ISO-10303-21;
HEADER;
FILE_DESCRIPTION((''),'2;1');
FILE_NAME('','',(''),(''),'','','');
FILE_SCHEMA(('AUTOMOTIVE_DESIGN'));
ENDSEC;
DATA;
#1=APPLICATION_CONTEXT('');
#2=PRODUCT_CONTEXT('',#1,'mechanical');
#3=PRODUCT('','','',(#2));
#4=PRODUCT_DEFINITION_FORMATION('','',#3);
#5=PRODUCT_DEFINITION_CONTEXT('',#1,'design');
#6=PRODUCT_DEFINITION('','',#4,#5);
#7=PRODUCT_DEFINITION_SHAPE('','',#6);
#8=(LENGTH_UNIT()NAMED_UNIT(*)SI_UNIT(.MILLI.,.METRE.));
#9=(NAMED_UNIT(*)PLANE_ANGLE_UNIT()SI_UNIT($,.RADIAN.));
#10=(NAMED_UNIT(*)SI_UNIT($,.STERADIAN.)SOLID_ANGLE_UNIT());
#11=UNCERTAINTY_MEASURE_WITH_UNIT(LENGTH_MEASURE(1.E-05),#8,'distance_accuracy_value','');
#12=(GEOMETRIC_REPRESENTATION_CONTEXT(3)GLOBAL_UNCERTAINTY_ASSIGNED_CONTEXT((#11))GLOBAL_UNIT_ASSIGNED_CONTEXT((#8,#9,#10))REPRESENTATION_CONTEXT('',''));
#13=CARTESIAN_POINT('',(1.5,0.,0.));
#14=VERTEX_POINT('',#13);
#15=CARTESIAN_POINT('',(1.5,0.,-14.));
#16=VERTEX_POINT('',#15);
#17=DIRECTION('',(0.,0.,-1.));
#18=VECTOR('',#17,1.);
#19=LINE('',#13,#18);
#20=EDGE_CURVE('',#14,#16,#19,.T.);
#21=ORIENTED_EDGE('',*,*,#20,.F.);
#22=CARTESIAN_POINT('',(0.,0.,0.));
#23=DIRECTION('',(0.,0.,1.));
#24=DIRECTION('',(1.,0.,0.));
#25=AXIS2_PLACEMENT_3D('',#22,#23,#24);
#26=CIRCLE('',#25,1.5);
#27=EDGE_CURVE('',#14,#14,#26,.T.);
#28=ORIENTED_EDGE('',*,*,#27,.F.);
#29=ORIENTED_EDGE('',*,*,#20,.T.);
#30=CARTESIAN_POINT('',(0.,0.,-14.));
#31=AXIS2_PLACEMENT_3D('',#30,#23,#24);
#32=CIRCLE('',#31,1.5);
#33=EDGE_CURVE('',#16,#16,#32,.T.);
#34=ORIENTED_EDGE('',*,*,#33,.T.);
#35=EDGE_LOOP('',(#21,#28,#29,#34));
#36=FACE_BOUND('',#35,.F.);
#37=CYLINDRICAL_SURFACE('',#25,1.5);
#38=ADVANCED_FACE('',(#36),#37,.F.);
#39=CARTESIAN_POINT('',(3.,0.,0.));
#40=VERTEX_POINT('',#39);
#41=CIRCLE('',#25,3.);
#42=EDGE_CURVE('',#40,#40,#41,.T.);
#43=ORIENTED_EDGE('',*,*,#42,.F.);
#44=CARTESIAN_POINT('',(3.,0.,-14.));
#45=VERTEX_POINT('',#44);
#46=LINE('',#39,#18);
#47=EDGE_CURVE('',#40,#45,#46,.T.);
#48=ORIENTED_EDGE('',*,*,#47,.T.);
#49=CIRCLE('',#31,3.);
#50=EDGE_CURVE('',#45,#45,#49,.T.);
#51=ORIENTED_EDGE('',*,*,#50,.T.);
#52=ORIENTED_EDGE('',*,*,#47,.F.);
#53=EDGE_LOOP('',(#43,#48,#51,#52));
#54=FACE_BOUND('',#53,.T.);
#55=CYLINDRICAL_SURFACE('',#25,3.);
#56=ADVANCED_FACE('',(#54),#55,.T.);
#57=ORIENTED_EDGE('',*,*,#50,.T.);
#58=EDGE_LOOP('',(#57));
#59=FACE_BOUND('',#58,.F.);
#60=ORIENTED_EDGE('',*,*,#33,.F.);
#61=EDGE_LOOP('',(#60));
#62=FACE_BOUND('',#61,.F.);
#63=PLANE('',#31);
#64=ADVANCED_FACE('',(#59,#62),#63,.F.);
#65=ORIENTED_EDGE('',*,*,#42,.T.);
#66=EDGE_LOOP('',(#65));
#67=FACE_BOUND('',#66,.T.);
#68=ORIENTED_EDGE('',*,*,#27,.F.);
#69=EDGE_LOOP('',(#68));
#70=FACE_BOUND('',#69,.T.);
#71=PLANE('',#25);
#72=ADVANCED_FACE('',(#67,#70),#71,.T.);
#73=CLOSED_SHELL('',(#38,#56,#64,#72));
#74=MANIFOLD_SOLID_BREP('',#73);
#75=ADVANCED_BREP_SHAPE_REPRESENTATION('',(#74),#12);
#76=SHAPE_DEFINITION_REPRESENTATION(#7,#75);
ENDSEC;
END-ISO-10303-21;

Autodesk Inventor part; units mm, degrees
ref_plane "YZ Plane" through (0, 0, 0) normal (1, 0, 0) x (0, 1, 0)
ref_plane "XZ Plane" through (0, 0, 0) normal (0, 1, 0) x (-1, 0, 0)
ref_plane "XY Plane" through (0, 0, 0) normal (0, 0, 1) x (1, 0, 0)
sketch "スケッチ1" plane through (0, 0, 0) normal (0, 0, 1) x (1, 0, 0)
  circle A0 centre (0, 0) radius 3
  circle A1 centre (0, 0) radius 1.5
  dimension "d0" = 6
  dimension "d1" = 3
extrude "押し出し1" add sketch "スケッチ1" against normal blind 14
properties part number "PEAKスペーサーm3-14 丸形両雌ねじ" material "PAEK 樹脂"
